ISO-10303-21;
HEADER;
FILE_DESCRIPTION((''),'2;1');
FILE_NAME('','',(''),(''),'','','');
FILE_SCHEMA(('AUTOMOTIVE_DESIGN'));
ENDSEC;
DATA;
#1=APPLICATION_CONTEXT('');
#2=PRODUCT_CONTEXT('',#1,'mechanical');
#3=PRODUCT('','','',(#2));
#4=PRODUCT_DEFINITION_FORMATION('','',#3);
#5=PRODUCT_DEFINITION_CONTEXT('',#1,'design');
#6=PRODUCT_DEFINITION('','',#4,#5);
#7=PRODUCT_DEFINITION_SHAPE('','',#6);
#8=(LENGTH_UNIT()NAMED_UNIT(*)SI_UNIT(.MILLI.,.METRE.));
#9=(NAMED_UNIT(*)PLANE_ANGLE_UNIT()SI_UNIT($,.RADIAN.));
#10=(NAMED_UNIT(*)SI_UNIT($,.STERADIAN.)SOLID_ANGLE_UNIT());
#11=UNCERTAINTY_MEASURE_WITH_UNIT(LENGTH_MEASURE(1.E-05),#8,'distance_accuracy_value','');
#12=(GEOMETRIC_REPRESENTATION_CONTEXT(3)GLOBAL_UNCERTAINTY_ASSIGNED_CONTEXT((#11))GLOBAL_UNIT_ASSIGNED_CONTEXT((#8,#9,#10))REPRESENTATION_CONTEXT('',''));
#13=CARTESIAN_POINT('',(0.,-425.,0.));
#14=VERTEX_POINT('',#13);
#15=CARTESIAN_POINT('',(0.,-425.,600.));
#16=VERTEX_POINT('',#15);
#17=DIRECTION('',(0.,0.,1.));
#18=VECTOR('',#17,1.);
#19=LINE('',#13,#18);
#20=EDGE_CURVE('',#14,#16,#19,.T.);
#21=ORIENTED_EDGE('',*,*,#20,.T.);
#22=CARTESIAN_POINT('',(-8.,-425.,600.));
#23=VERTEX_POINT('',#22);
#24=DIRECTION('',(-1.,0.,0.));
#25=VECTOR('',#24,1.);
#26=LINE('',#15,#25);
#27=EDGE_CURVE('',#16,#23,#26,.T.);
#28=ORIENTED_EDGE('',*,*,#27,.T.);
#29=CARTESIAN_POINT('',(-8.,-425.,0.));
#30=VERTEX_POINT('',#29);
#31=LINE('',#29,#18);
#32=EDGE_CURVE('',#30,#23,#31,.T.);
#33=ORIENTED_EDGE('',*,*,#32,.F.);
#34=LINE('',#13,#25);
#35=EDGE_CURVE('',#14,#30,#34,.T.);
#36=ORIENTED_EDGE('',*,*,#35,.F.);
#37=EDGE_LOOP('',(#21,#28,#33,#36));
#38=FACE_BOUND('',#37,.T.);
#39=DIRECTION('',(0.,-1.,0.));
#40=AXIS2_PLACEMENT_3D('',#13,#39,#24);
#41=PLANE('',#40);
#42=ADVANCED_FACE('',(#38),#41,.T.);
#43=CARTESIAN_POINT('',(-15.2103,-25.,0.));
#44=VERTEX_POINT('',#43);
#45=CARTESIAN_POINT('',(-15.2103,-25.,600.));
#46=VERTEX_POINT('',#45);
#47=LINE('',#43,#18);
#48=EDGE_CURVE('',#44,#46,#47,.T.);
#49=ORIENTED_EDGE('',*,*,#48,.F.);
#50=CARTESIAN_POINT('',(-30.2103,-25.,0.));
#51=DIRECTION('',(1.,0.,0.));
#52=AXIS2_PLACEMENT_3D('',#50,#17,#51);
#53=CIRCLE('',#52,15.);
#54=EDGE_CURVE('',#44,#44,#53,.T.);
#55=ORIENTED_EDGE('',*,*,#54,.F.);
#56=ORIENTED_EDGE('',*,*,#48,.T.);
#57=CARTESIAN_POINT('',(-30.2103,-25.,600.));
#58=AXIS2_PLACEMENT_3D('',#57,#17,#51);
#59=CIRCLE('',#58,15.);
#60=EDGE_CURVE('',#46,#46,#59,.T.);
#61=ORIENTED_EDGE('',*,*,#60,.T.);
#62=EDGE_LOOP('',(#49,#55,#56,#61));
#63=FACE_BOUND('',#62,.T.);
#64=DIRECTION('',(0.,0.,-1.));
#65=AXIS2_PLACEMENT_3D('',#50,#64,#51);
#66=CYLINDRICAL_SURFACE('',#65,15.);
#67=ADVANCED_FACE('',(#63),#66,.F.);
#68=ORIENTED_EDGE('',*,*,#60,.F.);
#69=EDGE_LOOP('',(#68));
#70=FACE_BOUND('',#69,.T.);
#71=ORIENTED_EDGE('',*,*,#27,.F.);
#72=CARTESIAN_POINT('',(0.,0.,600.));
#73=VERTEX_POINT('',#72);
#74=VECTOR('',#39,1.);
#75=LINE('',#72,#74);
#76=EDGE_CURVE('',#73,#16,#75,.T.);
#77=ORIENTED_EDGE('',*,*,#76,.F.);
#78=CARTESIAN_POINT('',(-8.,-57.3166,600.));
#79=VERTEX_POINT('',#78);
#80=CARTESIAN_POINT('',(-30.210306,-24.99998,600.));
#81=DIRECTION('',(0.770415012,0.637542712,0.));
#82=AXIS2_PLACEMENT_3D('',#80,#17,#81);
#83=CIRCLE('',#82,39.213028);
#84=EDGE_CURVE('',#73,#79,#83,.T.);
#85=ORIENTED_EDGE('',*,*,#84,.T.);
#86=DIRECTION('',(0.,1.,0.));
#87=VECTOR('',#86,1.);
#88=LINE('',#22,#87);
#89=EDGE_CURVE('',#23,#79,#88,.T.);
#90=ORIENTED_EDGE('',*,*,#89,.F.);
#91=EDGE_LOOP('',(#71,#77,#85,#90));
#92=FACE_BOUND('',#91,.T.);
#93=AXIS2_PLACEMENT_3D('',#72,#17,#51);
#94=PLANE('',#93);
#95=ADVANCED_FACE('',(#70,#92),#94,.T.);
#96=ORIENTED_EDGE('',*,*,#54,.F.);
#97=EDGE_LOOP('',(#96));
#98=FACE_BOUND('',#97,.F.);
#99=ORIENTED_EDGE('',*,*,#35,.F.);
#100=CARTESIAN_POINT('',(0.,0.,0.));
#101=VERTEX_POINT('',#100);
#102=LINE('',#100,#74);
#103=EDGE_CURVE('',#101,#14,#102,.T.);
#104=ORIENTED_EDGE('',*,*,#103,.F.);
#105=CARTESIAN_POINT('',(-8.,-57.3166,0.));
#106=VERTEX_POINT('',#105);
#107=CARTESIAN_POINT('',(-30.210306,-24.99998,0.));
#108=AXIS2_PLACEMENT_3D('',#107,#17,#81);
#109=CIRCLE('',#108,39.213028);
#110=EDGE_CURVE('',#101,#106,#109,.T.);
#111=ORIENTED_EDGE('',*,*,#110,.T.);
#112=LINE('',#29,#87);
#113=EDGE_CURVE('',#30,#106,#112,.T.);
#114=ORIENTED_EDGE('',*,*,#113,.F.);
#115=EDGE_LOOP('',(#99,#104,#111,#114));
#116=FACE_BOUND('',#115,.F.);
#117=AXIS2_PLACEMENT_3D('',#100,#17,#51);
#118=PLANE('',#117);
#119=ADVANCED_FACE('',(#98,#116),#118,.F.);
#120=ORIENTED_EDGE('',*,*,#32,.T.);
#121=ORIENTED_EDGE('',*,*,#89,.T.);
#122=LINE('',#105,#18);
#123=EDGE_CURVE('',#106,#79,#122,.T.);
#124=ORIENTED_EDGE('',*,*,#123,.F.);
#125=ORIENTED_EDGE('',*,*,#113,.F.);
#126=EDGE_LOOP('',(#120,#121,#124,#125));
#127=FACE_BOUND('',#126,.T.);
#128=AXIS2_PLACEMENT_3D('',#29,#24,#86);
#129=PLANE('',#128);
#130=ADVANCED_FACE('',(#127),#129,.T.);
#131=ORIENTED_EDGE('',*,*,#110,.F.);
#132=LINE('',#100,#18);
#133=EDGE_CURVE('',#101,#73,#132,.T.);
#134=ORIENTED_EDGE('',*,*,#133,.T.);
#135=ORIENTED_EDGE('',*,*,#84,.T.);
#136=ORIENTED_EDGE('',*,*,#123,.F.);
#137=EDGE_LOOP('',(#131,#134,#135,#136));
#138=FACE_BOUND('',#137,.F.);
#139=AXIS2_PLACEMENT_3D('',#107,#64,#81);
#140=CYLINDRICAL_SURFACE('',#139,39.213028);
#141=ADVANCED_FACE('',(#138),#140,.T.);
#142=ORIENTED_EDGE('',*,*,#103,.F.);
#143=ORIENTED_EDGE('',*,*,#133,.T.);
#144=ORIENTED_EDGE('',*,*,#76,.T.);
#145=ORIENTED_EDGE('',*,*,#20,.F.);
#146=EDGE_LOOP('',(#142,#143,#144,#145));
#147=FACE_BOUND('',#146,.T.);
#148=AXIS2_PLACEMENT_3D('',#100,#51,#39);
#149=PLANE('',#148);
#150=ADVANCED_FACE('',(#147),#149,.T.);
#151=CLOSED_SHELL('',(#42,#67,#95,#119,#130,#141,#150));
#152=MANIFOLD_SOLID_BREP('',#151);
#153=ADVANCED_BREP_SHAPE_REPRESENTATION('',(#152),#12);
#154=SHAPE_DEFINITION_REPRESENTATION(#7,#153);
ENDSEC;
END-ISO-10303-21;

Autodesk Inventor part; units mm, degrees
ref_plane "YZ Plane" through (0, 0, 0) normal (1, 0, 0) x (0, 1, 0)
ref_plane "XZ Plane" through (0, 0, 0) normal (0, 1, 0) x (-1, 0, 0)
ref_plane "XY Plane" through (0, 0, 0) normal (0, 0, 1) x (1, 0, 0)
sketch "Sketch1" plane through (0, 0, 0) normal (0, 0, 1) x (1, 0, 0)
  line L0 (0, 0) -> (0, -425)
  arc A0 (0, 0) -> (-8, -57.3166) centre (-30.2103, -25) ccw
  circle A1 centre (-30.2103, -25) radius 15
  line L1 (0, -425) -> (-8, -425)
  line L2 (-8, -425) -> (-8, -57.3166)
  dimension "d1" = 425
  dimension "d2" = 30
  dimension "d3" = 8
extrude "Extrusion1" add sketch "Sketch1" along normal blind 600
properties part number "Half Door"
